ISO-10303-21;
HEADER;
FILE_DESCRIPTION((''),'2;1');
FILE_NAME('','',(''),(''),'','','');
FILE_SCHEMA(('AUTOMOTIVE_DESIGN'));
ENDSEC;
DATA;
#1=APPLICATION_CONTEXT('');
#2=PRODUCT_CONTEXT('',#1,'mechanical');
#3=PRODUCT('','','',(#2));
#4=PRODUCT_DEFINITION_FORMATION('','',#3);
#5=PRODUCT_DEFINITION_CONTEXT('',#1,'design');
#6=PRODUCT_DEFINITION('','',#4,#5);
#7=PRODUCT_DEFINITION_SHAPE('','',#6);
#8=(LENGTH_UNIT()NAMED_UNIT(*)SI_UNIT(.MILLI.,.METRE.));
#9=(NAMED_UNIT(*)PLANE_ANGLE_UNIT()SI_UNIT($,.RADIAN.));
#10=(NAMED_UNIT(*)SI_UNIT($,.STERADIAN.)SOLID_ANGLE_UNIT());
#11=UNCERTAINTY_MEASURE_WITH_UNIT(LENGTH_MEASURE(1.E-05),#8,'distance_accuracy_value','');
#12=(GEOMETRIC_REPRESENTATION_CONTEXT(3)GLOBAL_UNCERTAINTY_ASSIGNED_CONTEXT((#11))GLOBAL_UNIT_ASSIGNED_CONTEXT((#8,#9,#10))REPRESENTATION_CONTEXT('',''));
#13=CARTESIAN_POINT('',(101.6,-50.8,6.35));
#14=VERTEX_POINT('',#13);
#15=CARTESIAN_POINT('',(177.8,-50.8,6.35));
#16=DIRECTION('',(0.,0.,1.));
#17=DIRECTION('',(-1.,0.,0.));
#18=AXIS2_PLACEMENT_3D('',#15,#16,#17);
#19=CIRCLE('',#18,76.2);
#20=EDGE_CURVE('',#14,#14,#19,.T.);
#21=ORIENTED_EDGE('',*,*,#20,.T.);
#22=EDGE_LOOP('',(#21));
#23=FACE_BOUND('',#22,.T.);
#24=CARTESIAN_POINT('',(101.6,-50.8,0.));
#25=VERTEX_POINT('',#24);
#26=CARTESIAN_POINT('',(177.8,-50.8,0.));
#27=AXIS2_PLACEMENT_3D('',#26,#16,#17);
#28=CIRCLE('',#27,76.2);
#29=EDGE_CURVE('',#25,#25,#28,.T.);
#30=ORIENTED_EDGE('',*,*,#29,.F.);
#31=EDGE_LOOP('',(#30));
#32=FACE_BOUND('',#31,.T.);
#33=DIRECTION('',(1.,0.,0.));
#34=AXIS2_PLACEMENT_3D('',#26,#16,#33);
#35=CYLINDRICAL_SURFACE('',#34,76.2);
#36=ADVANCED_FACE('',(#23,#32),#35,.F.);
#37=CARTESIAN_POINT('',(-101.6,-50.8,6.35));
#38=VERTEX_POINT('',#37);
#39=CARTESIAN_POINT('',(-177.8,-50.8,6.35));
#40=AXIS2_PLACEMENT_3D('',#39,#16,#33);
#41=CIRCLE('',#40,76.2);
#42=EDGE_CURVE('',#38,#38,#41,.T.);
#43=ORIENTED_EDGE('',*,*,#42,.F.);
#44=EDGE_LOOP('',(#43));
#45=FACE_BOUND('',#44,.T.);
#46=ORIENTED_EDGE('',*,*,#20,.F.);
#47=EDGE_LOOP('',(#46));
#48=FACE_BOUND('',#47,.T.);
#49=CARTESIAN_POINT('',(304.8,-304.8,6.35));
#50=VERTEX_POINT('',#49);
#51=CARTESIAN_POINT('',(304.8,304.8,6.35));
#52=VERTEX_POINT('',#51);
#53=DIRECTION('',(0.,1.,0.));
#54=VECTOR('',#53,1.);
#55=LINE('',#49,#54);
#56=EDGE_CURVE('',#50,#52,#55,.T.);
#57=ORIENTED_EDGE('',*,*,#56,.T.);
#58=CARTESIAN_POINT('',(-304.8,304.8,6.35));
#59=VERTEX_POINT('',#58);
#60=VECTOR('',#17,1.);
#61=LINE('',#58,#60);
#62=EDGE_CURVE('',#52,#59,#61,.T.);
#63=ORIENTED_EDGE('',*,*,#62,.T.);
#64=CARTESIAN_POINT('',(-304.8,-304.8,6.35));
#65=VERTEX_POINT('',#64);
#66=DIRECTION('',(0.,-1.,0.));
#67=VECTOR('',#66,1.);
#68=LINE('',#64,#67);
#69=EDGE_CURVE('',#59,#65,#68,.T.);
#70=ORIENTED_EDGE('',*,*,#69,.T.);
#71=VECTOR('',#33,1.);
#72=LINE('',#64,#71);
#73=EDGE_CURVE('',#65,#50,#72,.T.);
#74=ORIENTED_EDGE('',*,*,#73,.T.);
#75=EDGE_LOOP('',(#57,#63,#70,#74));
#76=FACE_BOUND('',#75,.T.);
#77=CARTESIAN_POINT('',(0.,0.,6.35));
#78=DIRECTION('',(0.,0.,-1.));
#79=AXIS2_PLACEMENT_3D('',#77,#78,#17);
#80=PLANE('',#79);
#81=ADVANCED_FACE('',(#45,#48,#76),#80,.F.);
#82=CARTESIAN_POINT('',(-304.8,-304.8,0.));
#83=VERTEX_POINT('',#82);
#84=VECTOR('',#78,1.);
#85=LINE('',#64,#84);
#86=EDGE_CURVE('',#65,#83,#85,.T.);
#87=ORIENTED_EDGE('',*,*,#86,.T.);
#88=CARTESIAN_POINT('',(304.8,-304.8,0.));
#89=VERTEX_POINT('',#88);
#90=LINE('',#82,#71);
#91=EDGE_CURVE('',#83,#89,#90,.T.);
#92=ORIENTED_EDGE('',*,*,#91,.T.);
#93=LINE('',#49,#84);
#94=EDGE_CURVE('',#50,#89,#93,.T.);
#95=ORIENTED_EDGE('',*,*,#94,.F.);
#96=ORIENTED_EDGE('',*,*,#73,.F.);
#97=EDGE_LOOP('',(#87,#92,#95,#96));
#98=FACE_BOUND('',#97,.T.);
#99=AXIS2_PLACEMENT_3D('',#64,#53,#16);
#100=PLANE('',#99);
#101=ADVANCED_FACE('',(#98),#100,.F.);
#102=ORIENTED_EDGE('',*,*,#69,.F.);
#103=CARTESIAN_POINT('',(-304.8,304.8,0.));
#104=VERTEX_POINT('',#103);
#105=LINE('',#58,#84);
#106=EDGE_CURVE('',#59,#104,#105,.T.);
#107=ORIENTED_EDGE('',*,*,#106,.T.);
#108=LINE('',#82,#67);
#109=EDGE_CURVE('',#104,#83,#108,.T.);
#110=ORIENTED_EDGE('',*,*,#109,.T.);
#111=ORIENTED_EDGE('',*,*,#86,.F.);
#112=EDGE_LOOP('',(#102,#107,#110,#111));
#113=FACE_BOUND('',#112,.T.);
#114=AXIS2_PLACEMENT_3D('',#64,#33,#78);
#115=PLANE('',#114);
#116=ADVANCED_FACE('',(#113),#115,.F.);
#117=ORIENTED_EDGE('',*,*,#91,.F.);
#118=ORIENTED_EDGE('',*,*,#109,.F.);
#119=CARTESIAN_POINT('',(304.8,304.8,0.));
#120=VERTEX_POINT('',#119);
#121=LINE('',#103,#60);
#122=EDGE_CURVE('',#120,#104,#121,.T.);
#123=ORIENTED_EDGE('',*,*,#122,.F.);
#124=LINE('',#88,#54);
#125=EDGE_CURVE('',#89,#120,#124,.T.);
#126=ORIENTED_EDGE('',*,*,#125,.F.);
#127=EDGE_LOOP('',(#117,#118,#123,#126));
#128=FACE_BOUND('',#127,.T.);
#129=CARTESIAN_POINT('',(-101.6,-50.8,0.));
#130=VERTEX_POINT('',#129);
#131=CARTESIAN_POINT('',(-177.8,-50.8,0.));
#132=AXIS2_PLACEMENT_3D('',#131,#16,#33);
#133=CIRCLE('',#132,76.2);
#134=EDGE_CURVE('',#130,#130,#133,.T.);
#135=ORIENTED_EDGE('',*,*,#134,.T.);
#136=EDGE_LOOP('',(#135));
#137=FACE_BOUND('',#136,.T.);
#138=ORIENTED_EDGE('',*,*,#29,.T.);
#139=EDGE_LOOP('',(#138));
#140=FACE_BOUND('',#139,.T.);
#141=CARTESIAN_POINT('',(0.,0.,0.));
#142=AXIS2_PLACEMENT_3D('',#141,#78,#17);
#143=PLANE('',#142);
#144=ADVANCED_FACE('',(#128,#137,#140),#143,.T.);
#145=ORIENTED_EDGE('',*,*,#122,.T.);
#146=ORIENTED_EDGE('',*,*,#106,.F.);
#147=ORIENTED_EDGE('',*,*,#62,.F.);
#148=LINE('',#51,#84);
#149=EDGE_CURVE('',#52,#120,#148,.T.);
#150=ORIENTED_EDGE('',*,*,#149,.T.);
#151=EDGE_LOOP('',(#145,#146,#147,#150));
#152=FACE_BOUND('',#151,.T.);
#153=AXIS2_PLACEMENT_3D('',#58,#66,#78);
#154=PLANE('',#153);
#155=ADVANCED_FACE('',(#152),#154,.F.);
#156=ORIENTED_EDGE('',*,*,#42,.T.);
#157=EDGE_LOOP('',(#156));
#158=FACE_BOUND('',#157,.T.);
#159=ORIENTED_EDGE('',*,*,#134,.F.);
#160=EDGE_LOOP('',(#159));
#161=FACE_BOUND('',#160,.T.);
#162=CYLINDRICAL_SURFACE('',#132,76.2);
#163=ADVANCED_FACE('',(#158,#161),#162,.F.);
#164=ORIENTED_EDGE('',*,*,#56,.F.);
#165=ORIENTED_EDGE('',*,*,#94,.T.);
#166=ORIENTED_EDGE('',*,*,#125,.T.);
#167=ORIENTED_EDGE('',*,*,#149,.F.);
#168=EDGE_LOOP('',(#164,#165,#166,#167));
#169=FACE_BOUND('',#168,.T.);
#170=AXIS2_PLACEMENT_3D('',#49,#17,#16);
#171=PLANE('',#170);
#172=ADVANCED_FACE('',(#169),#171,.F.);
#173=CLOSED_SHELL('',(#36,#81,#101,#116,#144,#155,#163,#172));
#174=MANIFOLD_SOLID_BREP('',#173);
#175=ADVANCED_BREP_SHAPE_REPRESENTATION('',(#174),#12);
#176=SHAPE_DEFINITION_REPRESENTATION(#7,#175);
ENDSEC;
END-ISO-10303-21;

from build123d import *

# Parameters (mm, degrees)
SKETCH1_W           = 609.6
SKETCH1_H           = 609.6
BOSS_EXTRUDE1_DEPTH = 6.35
SKETCH2_R           = 76.2
CUT_EXTRUDE1_DEPTH  = 432.099063441


with BuildPart() as part:
    # Sketch1 → Boss-Extrude1 (new body)
    with BuildSketch(Plane.XY):
        Rectangle(SKETCH1_W, SKETCH1_H)
    extrude(amount=BOSS_EXTRUDE1_DEPTH)

    # Sketch2 → Cut-Extrude1 (cut, through all)
    with BuildSketch(Plane.XY.offset(6.35)):
        with Locations((-177.8, -50.8)):
            Circle(SKETCH2_R)
        with Locations(Location((177.8, -50.8, 0), (0, 0, 180))):
            Circle(SKETCH2_R)
    extrude(amount=-CUT_EXTRUDE1_DEPTH, mode=Mode.SUBTRACT)


solid = part.part
